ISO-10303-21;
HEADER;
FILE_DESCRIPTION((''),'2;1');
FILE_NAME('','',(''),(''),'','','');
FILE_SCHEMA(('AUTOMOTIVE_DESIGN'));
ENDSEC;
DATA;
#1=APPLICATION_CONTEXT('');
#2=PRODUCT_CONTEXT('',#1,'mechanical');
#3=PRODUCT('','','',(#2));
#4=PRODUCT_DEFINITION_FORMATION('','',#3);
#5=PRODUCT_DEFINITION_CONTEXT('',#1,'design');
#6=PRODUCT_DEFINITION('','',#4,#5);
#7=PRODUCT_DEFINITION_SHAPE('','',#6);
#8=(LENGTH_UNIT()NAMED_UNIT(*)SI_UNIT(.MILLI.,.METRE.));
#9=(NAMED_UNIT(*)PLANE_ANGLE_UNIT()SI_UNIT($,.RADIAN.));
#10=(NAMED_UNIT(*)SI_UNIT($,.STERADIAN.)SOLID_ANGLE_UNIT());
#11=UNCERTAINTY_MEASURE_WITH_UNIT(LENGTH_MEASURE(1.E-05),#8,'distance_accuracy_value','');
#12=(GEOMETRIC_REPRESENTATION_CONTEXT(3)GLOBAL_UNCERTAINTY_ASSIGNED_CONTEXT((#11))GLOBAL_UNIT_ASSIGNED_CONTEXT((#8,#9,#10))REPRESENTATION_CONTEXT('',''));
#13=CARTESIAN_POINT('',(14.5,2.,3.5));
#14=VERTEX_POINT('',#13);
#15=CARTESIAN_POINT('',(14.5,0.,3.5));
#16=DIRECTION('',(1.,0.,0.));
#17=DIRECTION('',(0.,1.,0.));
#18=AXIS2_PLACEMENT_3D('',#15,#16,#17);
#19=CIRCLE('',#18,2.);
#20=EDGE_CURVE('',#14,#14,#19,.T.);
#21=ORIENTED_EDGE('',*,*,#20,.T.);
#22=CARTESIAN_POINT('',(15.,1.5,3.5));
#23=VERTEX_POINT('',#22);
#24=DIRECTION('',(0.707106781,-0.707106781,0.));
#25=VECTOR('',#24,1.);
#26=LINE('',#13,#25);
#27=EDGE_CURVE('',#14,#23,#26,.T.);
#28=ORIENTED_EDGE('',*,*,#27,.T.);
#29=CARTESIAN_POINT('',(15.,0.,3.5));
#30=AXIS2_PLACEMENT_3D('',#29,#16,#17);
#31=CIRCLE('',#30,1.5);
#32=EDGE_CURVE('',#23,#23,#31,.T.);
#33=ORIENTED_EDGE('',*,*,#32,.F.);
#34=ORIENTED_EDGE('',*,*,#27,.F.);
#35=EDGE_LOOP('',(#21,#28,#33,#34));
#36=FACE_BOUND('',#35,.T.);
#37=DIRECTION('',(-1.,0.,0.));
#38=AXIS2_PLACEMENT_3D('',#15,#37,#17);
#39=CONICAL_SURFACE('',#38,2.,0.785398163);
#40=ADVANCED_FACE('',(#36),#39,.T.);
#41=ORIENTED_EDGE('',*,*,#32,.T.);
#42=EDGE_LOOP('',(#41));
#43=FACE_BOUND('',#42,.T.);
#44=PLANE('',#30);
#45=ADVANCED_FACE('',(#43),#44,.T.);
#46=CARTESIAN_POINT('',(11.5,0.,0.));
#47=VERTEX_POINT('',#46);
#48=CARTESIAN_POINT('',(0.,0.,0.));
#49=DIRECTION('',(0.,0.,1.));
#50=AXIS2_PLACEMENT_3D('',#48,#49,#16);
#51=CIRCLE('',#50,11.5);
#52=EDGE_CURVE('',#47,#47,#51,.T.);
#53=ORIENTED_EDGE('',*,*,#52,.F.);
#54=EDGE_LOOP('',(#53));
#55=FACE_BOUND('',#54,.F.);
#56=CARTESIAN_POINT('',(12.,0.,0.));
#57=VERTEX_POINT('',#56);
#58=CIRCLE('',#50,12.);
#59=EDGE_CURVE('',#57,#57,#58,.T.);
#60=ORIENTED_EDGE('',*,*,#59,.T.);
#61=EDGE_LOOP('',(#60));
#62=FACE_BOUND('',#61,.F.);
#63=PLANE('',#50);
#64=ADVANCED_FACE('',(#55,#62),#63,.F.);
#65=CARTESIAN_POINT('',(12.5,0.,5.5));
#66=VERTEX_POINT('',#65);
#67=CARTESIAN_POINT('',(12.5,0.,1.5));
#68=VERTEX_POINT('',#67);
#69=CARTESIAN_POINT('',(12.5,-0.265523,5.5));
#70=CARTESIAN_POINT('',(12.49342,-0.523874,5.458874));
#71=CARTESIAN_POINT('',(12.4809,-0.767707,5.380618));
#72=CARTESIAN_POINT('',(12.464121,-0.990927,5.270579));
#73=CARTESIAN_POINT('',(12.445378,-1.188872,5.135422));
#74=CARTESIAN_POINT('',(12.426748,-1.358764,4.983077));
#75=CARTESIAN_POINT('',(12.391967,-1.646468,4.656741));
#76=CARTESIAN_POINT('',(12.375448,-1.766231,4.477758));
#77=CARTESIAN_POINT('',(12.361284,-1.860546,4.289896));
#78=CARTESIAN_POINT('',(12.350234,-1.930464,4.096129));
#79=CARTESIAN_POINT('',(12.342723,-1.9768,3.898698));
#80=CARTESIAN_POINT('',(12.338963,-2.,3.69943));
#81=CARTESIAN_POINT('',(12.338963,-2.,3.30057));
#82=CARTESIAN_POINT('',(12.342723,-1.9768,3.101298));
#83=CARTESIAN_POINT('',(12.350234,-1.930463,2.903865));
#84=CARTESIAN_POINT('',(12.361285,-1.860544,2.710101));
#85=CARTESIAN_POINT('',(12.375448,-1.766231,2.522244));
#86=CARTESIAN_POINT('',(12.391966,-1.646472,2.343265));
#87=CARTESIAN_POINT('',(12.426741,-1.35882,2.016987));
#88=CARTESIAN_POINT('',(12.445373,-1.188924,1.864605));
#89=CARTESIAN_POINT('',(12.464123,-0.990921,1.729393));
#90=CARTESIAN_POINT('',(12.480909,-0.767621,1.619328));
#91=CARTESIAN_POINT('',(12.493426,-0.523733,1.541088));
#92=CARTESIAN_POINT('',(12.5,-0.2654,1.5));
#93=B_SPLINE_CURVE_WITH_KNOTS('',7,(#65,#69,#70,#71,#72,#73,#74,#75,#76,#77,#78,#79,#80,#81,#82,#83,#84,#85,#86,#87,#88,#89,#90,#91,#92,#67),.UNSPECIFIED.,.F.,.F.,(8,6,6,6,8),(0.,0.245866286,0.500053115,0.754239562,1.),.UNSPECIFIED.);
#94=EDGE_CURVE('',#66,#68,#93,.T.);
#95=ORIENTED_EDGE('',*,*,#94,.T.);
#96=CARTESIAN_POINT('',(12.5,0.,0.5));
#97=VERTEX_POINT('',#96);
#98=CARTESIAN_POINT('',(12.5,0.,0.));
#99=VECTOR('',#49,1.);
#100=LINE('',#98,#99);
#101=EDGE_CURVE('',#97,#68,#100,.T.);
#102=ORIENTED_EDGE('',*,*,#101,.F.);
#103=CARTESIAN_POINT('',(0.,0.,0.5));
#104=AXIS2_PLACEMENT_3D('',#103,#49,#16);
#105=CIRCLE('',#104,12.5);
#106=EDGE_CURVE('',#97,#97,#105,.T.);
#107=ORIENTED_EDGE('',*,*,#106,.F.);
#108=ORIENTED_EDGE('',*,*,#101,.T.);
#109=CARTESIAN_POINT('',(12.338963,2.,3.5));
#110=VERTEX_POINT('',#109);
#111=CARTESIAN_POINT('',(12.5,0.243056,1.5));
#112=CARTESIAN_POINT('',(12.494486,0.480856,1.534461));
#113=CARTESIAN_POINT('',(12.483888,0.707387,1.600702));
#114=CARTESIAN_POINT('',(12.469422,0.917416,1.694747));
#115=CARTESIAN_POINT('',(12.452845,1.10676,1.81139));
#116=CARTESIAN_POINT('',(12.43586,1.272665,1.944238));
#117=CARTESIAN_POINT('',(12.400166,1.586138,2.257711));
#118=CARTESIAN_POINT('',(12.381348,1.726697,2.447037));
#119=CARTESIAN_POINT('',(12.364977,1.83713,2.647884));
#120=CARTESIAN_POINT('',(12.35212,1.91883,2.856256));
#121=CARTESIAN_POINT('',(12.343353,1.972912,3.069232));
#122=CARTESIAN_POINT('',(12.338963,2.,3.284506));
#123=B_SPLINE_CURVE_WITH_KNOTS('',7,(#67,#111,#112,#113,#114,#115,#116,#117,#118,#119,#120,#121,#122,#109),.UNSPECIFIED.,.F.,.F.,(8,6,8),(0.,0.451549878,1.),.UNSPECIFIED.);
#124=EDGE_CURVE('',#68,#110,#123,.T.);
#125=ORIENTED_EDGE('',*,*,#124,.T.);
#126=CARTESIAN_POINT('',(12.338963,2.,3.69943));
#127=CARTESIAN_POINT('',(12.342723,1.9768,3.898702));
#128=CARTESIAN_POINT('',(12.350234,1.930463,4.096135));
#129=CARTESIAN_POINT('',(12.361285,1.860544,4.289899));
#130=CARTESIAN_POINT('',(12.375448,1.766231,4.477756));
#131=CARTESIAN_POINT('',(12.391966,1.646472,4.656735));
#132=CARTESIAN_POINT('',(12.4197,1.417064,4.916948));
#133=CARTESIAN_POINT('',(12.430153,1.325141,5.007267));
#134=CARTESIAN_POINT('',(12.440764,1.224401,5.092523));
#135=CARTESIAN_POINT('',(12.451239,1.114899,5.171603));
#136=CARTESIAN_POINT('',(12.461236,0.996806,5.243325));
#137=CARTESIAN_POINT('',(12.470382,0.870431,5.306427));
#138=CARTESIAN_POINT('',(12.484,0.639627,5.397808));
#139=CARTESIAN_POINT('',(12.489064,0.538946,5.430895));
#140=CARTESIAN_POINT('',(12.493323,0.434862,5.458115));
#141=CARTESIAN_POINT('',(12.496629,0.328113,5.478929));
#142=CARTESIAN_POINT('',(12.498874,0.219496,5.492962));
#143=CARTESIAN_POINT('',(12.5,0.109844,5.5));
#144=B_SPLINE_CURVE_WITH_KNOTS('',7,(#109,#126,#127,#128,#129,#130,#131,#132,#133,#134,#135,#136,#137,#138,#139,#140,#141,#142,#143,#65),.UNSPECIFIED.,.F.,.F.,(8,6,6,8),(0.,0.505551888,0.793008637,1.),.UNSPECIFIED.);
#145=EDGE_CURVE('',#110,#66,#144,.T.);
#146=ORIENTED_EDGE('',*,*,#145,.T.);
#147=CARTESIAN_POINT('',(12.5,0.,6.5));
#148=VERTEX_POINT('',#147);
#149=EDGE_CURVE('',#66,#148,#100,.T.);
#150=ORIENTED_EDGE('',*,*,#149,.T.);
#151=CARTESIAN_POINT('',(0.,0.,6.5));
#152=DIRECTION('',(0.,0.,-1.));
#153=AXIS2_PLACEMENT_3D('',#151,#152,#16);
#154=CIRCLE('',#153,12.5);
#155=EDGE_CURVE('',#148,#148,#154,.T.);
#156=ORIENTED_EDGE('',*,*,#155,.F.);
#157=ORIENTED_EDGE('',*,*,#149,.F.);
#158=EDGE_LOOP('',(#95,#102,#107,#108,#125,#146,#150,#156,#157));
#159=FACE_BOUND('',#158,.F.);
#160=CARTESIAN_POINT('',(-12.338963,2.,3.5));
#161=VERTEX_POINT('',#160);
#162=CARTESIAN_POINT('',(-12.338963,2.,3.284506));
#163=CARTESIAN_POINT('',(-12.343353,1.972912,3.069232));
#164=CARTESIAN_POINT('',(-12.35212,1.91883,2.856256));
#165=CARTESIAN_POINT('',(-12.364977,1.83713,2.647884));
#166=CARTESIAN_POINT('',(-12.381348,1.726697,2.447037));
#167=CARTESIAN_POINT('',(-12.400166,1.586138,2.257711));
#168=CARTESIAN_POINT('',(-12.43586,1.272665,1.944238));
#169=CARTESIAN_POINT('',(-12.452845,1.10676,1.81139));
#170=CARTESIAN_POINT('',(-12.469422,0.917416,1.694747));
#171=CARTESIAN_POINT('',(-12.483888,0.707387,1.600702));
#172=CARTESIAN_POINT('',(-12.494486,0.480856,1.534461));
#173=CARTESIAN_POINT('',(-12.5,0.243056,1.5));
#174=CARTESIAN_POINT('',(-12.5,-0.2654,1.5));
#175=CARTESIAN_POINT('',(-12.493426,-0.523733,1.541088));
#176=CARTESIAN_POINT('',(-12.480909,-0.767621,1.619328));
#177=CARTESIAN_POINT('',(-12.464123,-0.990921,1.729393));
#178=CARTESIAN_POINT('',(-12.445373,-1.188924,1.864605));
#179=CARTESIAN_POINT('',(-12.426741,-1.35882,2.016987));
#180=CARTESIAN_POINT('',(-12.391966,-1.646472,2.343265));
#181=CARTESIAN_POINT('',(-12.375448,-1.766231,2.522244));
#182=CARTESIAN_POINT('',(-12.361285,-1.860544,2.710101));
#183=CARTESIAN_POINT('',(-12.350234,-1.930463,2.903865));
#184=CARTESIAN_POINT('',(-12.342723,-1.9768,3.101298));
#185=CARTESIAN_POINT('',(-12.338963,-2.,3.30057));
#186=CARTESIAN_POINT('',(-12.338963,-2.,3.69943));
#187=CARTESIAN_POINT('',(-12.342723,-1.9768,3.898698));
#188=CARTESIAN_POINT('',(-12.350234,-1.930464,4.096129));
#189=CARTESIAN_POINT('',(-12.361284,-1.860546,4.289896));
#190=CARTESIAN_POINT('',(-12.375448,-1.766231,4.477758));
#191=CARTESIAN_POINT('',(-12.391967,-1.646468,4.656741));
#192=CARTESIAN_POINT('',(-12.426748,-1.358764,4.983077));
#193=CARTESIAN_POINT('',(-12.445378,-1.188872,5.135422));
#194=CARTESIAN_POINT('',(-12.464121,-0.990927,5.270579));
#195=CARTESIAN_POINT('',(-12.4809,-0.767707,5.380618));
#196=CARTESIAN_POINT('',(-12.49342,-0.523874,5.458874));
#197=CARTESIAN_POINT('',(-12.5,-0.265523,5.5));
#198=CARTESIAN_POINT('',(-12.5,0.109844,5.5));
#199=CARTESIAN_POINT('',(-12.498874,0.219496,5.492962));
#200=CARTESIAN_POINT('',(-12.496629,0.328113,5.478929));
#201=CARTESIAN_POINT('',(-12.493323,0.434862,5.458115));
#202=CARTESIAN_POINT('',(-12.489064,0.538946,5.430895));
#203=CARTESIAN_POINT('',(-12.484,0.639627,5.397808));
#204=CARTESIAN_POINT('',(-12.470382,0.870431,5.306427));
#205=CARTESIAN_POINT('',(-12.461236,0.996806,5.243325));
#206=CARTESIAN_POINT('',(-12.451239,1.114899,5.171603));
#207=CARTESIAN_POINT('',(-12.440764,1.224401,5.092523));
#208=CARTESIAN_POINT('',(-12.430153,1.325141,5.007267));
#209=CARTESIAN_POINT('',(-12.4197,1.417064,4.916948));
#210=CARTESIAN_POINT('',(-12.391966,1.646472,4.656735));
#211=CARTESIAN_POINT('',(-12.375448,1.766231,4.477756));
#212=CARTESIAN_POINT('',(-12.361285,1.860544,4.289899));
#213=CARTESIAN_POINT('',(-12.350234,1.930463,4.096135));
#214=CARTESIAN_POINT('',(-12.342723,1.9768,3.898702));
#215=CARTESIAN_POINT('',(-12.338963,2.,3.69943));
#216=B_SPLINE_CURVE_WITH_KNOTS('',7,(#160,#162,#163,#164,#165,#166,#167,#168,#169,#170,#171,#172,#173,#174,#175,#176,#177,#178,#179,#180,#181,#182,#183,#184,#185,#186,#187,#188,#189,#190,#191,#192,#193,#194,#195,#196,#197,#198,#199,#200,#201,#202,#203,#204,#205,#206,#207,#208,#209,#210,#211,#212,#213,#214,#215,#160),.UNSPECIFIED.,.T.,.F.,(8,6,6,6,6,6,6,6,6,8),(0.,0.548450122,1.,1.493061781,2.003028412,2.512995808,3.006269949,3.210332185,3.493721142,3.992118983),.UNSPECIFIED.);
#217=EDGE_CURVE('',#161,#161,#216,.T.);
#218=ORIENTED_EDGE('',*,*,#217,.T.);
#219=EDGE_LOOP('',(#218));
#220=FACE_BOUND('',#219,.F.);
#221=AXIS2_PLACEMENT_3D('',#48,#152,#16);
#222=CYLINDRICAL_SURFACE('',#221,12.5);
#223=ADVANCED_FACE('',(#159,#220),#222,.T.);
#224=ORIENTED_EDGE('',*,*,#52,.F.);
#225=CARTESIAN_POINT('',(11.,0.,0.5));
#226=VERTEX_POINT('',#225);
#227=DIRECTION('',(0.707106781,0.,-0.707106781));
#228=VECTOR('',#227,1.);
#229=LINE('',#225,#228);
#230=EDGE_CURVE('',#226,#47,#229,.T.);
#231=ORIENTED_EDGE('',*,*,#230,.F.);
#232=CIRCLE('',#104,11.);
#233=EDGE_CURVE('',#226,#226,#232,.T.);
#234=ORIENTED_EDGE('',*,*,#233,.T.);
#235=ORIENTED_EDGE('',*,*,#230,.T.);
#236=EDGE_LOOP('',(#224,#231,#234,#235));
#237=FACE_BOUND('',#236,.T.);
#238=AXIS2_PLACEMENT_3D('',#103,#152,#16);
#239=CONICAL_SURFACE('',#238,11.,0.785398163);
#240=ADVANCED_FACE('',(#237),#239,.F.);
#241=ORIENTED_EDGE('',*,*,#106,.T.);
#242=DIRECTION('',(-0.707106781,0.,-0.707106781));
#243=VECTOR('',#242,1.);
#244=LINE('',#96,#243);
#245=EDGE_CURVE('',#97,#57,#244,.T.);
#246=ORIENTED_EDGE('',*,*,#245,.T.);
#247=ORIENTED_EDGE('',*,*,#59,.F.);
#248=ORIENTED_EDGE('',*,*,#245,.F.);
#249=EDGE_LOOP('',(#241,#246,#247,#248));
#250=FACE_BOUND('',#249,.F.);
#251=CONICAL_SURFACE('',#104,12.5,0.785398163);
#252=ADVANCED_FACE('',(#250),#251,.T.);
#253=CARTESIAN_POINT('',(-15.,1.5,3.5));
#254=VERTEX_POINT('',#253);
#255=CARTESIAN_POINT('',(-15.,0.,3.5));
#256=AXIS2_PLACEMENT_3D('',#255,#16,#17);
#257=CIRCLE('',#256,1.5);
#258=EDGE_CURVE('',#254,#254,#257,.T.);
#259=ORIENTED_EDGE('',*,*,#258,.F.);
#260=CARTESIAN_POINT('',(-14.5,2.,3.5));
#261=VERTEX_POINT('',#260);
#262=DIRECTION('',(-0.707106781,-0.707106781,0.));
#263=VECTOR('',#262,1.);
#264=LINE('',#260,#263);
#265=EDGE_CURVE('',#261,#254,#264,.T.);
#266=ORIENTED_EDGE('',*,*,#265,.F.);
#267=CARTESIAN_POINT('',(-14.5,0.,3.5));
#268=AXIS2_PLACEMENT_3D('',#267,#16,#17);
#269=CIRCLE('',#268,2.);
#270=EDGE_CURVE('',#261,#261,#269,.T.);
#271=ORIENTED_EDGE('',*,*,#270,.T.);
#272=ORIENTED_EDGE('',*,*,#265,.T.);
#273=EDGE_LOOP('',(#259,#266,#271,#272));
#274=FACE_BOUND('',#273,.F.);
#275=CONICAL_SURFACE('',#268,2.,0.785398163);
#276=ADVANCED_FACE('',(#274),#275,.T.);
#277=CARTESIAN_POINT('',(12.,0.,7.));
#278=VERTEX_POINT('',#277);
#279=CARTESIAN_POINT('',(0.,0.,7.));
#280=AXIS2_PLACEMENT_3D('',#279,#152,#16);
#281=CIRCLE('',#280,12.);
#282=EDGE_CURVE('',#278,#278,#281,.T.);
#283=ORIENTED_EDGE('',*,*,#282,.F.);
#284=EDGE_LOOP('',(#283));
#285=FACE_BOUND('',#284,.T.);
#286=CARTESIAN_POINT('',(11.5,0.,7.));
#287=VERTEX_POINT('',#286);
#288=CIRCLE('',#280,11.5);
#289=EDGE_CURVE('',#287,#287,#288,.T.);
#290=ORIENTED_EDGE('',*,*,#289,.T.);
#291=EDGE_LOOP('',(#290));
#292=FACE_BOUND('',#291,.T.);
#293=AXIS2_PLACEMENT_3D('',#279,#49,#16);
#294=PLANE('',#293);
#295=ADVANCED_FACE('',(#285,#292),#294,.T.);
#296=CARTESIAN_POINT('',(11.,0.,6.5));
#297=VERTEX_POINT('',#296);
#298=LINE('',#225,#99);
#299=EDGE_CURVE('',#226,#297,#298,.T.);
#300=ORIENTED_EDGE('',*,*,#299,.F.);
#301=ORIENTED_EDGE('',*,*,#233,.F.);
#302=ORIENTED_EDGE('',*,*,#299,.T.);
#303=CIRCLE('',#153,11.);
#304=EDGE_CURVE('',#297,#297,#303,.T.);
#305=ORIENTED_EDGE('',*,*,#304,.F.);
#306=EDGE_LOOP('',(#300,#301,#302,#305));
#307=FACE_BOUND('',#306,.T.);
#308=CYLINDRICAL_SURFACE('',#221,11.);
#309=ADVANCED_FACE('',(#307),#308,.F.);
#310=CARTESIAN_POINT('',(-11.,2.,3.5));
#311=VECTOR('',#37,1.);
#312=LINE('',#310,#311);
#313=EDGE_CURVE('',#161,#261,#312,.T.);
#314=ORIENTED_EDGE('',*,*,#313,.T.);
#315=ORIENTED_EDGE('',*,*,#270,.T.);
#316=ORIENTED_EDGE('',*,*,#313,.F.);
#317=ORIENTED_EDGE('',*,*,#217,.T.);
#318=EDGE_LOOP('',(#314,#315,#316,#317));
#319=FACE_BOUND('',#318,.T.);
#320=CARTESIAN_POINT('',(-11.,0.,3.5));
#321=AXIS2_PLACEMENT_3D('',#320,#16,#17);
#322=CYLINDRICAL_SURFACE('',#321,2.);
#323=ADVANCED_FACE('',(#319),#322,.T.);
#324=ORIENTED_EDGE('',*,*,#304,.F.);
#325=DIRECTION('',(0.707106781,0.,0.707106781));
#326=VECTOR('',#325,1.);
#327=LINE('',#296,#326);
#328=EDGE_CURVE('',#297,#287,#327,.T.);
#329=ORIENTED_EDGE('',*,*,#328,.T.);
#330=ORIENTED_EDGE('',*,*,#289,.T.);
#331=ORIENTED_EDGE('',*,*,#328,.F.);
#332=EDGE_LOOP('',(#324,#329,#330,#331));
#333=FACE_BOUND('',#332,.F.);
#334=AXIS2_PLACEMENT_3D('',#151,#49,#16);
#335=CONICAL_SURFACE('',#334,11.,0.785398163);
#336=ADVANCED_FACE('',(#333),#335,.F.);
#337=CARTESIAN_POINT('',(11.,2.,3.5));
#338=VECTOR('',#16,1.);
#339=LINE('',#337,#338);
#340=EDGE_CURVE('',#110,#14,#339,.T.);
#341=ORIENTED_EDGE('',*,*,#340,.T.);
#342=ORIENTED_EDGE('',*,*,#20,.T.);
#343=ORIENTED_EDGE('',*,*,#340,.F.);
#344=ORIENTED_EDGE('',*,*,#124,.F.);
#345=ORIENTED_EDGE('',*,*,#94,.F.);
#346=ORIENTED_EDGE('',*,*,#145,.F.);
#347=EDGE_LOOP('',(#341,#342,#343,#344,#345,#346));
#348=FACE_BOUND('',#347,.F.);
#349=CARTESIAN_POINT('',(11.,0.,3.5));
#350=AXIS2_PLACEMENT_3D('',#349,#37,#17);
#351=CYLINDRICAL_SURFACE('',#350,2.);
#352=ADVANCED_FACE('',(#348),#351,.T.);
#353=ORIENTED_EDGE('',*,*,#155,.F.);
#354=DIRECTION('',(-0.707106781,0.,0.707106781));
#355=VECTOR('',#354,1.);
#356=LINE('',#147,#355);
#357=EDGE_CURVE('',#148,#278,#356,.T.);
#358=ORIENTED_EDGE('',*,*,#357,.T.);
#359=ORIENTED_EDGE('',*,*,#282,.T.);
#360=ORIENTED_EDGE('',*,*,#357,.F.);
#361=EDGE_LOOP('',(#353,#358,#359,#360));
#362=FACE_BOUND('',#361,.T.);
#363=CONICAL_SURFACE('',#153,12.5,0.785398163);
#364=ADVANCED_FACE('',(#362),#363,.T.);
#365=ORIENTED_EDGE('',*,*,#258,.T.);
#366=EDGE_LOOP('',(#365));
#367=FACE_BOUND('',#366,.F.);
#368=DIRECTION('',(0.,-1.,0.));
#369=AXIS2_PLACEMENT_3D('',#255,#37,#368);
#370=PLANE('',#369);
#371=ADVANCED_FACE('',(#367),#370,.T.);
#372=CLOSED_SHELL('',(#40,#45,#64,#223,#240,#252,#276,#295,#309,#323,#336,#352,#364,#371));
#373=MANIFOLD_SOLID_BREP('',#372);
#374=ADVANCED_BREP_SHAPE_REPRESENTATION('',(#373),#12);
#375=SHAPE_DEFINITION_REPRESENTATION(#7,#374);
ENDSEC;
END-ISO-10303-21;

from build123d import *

# Parameters (mm, degrees)
F0_R     = 12.5
F0_R_2   = 11
F1_DEPTH = 7
F2_SIZE  = 0.5
F4_R     = 2
F5_DEPTH = 4
F7_SIZE  = 0.5


with BuildPart() as f1:
    # F0 (on Top) → F1 (new body)
    with BuildSketch(Plane.XY):
        Circle(F0_R)
        Circle(F0_R_2, mode=Mode.SUBTRACT)
    extrude(amount=F1_DEPTH)

    # F2
    f2_edges = [f1.edges().sort_by_distance(p)[0] for p in [
        (-11, 0, 7),
        (-12.5, 0, 7),
        (-12.5, 0, 0),
        (-11, 0, 0),
    ]]
    chamfer(f2_edges, length=F2_SIZE)

    # F4 (on offset) → F5 (join)
    with BuildSketch(Plane.YZ.offset(11)):
        with Locations((0, 3.5)):
            Circle(F4_R)
    extrude(amount=F5_DEPTH)

    # F6: F1 across plane


with BuildPart() as f1_1:
    add(f1.part)
    add(f1.part.mirror(Plane.YZ))

    # F7
    f7_edges = [f1_1.edges().sort_by_distance(p)[0] for p in [
        (15, -2, 3.5),
        (-15, -2, 3.5),
    ]]
    chamfer(f7_edges, length=F7_SIZE)


solid = f1_1.part
